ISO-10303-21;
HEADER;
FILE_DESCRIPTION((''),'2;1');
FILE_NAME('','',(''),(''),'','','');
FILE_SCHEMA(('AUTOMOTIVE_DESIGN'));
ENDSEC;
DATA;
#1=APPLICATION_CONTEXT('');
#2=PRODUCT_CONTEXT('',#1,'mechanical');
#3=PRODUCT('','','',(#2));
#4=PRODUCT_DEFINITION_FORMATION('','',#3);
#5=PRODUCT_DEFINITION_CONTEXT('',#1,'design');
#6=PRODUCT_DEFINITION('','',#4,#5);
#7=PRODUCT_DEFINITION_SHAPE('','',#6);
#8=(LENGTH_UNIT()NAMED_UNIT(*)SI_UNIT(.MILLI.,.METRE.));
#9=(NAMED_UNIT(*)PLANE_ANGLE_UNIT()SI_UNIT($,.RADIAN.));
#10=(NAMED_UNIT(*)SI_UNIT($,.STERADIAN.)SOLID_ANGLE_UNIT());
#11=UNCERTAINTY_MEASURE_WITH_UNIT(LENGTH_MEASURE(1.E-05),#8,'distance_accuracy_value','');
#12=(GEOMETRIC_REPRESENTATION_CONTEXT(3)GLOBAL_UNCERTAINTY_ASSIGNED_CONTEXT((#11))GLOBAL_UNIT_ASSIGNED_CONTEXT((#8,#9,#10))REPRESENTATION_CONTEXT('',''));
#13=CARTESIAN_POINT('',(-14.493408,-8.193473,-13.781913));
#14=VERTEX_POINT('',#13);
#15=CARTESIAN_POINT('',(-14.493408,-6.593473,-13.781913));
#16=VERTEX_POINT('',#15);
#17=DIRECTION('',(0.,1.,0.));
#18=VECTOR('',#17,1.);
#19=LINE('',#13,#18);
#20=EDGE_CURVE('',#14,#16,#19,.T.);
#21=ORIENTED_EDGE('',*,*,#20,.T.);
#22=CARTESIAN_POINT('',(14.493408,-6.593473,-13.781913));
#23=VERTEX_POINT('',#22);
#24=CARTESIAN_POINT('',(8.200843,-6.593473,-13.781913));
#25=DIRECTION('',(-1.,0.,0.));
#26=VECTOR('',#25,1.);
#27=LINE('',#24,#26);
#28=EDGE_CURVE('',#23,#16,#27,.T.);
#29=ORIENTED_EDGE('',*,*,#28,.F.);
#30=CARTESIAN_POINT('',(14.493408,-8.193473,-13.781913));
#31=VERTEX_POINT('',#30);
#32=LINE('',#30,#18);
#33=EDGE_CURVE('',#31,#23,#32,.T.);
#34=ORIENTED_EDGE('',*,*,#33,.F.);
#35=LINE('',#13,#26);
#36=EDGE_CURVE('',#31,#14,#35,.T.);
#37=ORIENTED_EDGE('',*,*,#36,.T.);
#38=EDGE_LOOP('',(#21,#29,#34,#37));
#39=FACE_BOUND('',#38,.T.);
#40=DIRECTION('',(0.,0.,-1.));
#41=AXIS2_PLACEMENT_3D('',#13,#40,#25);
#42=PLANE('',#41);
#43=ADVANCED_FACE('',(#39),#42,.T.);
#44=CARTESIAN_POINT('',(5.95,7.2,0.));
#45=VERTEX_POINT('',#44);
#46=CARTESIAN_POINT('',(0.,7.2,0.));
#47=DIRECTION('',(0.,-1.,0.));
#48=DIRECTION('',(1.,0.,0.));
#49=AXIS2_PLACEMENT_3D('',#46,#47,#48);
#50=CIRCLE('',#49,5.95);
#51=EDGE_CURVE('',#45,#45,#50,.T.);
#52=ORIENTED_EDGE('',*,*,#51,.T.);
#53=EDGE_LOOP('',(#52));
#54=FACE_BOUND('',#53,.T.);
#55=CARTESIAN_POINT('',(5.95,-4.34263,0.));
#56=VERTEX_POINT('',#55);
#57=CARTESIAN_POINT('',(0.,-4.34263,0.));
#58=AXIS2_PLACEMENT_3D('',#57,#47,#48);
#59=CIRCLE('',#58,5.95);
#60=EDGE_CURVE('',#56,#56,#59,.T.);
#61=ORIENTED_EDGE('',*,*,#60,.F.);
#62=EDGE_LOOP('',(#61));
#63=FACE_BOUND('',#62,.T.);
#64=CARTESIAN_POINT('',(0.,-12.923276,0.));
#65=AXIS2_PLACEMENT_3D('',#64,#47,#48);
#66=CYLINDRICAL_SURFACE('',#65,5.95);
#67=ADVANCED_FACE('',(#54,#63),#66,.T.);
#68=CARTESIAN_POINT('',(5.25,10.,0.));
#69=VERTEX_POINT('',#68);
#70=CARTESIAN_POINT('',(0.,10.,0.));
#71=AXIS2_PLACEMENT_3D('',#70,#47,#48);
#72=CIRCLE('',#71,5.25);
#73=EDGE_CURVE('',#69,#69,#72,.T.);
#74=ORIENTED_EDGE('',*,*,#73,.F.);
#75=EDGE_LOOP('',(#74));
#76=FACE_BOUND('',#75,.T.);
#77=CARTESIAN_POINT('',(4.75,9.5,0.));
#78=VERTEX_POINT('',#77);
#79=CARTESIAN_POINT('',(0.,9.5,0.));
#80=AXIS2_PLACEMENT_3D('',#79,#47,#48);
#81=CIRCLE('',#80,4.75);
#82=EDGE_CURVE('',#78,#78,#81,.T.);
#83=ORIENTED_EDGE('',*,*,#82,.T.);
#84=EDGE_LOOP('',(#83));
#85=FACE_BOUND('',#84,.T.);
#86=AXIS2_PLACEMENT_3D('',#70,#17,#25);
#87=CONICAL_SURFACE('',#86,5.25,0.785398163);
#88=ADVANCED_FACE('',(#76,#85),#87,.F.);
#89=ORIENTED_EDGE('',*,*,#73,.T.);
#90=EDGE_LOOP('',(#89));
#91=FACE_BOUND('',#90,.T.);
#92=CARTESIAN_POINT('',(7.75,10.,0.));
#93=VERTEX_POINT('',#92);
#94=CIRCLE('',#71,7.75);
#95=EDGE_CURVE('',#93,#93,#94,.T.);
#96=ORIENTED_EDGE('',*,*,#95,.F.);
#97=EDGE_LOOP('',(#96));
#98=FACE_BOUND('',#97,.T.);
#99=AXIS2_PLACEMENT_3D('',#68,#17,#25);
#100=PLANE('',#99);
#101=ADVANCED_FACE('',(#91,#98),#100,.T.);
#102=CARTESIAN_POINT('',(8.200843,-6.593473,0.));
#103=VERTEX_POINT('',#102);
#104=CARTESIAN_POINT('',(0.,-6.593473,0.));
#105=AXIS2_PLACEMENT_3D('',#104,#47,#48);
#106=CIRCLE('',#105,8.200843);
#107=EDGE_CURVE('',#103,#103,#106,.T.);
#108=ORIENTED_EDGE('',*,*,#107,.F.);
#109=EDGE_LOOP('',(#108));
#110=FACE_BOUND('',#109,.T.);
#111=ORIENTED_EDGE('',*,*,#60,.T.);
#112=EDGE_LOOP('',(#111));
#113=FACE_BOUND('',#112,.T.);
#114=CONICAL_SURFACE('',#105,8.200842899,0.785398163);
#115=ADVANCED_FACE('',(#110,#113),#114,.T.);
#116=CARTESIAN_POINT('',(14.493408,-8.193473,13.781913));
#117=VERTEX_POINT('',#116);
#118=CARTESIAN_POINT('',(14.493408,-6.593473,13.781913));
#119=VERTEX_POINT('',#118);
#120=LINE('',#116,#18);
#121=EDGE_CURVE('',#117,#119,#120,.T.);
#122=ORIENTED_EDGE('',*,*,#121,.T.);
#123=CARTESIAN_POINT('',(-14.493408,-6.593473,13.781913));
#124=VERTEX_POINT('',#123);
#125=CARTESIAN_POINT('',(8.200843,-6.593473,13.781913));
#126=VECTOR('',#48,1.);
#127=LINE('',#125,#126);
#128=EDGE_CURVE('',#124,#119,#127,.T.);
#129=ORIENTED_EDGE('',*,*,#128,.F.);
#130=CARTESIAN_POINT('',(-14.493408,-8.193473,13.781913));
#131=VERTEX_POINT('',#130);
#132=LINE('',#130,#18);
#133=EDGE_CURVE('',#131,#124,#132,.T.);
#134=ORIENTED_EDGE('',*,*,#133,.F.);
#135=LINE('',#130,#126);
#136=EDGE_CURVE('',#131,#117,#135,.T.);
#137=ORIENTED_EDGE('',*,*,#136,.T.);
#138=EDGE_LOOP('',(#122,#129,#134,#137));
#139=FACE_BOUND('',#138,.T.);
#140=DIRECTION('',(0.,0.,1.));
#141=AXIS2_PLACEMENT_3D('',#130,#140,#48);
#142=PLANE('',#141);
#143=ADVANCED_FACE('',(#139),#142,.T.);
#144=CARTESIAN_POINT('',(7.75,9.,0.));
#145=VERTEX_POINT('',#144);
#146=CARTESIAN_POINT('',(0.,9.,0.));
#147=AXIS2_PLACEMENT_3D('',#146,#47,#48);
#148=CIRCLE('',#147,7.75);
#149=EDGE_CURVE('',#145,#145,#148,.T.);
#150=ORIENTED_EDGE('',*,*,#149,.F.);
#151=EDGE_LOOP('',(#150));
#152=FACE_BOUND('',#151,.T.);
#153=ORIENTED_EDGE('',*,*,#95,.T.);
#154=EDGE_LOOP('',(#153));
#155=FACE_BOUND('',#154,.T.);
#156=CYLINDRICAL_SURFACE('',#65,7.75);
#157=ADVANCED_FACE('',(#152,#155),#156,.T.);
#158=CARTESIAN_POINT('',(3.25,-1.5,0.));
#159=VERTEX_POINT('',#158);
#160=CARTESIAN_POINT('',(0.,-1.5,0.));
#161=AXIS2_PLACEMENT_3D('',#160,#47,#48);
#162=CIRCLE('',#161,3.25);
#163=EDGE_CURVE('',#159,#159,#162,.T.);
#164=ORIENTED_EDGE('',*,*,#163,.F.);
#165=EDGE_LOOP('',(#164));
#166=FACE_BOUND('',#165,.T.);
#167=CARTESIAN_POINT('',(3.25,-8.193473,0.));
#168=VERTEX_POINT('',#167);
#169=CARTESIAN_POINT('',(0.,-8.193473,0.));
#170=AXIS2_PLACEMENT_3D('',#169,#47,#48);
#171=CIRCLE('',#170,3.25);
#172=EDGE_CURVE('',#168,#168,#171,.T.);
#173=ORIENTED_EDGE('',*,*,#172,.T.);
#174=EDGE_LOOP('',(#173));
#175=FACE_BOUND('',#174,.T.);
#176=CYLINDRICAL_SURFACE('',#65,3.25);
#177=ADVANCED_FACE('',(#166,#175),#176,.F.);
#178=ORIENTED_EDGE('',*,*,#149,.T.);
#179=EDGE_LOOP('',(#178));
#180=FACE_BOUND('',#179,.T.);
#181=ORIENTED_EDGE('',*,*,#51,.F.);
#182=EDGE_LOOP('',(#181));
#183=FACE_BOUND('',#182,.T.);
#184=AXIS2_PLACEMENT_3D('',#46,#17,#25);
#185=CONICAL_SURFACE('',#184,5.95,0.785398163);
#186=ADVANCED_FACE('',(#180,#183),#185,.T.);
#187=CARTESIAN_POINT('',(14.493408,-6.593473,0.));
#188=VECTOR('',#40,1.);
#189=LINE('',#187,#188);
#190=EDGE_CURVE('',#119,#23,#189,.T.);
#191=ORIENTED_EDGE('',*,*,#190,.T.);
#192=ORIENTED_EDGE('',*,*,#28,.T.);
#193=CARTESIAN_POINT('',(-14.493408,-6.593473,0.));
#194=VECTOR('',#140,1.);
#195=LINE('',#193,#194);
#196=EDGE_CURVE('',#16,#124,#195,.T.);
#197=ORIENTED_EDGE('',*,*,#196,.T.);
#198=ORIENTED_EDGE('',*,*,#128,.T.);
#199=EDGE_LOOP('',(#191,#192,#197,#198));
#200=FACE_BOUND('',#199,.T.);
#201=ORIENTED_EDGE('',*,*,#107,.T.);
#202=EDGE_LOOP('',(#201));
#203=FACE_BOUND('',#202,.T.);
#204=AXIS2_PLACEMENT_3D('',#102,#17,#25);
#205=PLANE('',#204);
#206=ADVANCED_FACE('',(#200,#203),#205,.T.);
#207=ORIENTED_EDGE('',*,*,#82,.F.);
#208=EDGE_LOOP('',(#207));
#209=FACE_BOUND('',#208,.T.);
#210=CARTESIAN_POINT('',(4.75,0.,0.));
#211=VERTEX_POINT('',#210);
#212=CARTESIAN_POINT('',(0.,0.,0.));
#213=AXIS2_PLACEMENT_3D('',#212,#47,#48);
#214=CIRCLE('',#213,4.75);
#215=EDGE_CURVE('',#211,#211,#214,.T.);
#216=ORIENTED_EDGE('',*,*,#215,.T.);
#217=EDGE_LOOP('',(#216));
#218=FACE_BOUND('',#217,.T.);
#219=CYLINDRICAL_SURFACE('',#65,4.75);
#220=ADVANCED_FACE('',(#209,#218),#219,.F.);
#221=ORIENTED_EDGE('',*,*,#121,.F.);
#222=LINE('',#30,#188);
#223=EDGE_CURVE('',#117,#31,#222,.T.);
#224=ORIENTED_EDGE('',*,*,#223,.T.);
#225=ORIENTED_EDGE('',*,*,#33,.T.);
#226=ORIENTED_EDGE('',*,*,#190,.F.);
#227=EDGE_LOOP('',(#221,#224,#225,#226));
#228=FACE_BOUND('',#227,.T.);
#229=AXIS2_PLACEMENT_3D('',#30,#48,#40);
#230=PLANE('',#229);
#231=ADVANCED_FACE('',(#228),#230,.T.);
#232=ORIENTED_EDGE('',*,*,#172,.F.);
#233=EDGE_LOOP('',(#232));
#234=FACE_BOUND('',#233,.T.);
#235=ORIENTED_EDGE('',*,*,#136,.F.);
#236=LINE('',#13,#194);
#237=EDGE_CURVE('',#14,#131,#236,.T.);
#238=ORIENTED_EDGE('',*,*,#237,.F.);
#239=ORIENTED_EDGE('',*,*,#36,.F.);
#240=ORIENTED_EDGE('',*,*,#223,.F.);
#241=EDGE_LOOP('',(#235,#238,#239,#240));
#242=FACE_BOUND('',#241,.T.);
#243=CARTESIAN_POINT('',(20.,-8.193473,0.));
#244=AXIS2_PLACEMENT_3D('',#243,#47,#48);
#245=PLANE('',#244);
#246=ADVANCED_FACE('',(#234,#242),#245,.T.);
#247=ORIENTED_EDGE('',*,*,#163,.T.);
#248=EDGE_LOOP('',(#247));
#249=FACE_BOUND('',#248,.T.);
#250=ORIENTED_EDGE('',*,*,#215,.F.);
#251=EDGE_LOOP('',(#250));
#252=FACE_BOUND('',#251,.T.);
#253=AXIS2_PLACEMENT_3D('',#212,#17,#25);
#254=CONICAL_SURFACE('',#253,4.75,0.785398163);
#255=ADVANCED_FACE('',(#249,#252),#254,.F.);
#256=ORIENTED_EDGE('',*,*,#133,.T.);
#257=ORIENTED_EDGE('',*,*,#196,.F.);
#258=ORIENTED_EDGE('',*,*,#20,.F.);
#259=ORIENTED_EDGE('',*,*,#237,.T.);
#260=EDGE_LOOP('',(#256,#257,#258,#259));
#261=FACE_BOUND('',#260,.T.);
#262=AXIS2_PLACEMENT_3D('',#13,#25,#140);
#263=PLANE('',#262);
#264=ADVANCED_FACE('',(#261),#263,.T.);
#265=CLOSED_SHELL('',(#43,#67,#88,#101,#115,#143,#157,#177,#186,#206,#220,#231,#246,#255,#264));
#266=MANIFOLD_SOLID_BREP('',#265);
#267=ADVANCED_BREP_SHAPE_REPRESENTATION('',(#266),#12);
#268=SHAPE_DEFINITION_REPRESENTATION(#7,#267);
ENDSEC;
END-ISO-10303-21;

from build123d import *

# Parameters (mm, degrees)
SKETCH2_OUTSIDE_W       = 53.884
SKETCH2_OUTSIDE_H       = 53.884
SKETCH2_OUTSIDE_W_2     = 28.986815524
SKETCH2_OUTSIDE_H_2     = 27.563826398
CUT_EXTRUDE1_DEPTH      = 11
CUT_EXTRUDE1_DEPTH_BACK = 9.193473012


with BuildPart() as part:
    # Sketch1 → Revolve1 (revolve)
    with BuildSketch(Plane.XY):
        Polygon((4.75, 9.5), (4.75, 0), (3.25, -1.5), (3.25, -8.193473012), (20, -8.193473012), (20, -6.593473012), (8.200842899, -6.593473012), (5.95, -4.342630114), (5.95, 7.2), (7.75, 9), (7.75, 10), (5.25, 10), align=None)
    revolve(axis=Axis((0, -12.923275862, 0), (0, 1, 0)))

    # Sketch2 outside → Cut-Extrude1 (cut, two sides)
    with BuildSketch(Plane(origin=(0, 0, 0), x_dir=(1, 0, 0), z_dir=(0, 1, 0))) as cut_extrude1_sk:
        Rectangle(SKETCH2_OUTSIDE_W, SKETCH2_OUTSIDE_H)
        Rectangle(SKETCH2_OUTSIDE_W_2, SKETCH2_OUTSIDE_H_2, mode=Mode.SUBTRACT)
    extrude(amount=CUT_EXTRUDE1_DEPTH, mode=Mode.SUBTRACT)
    extrude(cut_extrude1_sk.sketch, amount=-CUT_EXTRUDE1_DEPTH_BACK, mode=Mode.SUBTRACT)


solid = part.part
